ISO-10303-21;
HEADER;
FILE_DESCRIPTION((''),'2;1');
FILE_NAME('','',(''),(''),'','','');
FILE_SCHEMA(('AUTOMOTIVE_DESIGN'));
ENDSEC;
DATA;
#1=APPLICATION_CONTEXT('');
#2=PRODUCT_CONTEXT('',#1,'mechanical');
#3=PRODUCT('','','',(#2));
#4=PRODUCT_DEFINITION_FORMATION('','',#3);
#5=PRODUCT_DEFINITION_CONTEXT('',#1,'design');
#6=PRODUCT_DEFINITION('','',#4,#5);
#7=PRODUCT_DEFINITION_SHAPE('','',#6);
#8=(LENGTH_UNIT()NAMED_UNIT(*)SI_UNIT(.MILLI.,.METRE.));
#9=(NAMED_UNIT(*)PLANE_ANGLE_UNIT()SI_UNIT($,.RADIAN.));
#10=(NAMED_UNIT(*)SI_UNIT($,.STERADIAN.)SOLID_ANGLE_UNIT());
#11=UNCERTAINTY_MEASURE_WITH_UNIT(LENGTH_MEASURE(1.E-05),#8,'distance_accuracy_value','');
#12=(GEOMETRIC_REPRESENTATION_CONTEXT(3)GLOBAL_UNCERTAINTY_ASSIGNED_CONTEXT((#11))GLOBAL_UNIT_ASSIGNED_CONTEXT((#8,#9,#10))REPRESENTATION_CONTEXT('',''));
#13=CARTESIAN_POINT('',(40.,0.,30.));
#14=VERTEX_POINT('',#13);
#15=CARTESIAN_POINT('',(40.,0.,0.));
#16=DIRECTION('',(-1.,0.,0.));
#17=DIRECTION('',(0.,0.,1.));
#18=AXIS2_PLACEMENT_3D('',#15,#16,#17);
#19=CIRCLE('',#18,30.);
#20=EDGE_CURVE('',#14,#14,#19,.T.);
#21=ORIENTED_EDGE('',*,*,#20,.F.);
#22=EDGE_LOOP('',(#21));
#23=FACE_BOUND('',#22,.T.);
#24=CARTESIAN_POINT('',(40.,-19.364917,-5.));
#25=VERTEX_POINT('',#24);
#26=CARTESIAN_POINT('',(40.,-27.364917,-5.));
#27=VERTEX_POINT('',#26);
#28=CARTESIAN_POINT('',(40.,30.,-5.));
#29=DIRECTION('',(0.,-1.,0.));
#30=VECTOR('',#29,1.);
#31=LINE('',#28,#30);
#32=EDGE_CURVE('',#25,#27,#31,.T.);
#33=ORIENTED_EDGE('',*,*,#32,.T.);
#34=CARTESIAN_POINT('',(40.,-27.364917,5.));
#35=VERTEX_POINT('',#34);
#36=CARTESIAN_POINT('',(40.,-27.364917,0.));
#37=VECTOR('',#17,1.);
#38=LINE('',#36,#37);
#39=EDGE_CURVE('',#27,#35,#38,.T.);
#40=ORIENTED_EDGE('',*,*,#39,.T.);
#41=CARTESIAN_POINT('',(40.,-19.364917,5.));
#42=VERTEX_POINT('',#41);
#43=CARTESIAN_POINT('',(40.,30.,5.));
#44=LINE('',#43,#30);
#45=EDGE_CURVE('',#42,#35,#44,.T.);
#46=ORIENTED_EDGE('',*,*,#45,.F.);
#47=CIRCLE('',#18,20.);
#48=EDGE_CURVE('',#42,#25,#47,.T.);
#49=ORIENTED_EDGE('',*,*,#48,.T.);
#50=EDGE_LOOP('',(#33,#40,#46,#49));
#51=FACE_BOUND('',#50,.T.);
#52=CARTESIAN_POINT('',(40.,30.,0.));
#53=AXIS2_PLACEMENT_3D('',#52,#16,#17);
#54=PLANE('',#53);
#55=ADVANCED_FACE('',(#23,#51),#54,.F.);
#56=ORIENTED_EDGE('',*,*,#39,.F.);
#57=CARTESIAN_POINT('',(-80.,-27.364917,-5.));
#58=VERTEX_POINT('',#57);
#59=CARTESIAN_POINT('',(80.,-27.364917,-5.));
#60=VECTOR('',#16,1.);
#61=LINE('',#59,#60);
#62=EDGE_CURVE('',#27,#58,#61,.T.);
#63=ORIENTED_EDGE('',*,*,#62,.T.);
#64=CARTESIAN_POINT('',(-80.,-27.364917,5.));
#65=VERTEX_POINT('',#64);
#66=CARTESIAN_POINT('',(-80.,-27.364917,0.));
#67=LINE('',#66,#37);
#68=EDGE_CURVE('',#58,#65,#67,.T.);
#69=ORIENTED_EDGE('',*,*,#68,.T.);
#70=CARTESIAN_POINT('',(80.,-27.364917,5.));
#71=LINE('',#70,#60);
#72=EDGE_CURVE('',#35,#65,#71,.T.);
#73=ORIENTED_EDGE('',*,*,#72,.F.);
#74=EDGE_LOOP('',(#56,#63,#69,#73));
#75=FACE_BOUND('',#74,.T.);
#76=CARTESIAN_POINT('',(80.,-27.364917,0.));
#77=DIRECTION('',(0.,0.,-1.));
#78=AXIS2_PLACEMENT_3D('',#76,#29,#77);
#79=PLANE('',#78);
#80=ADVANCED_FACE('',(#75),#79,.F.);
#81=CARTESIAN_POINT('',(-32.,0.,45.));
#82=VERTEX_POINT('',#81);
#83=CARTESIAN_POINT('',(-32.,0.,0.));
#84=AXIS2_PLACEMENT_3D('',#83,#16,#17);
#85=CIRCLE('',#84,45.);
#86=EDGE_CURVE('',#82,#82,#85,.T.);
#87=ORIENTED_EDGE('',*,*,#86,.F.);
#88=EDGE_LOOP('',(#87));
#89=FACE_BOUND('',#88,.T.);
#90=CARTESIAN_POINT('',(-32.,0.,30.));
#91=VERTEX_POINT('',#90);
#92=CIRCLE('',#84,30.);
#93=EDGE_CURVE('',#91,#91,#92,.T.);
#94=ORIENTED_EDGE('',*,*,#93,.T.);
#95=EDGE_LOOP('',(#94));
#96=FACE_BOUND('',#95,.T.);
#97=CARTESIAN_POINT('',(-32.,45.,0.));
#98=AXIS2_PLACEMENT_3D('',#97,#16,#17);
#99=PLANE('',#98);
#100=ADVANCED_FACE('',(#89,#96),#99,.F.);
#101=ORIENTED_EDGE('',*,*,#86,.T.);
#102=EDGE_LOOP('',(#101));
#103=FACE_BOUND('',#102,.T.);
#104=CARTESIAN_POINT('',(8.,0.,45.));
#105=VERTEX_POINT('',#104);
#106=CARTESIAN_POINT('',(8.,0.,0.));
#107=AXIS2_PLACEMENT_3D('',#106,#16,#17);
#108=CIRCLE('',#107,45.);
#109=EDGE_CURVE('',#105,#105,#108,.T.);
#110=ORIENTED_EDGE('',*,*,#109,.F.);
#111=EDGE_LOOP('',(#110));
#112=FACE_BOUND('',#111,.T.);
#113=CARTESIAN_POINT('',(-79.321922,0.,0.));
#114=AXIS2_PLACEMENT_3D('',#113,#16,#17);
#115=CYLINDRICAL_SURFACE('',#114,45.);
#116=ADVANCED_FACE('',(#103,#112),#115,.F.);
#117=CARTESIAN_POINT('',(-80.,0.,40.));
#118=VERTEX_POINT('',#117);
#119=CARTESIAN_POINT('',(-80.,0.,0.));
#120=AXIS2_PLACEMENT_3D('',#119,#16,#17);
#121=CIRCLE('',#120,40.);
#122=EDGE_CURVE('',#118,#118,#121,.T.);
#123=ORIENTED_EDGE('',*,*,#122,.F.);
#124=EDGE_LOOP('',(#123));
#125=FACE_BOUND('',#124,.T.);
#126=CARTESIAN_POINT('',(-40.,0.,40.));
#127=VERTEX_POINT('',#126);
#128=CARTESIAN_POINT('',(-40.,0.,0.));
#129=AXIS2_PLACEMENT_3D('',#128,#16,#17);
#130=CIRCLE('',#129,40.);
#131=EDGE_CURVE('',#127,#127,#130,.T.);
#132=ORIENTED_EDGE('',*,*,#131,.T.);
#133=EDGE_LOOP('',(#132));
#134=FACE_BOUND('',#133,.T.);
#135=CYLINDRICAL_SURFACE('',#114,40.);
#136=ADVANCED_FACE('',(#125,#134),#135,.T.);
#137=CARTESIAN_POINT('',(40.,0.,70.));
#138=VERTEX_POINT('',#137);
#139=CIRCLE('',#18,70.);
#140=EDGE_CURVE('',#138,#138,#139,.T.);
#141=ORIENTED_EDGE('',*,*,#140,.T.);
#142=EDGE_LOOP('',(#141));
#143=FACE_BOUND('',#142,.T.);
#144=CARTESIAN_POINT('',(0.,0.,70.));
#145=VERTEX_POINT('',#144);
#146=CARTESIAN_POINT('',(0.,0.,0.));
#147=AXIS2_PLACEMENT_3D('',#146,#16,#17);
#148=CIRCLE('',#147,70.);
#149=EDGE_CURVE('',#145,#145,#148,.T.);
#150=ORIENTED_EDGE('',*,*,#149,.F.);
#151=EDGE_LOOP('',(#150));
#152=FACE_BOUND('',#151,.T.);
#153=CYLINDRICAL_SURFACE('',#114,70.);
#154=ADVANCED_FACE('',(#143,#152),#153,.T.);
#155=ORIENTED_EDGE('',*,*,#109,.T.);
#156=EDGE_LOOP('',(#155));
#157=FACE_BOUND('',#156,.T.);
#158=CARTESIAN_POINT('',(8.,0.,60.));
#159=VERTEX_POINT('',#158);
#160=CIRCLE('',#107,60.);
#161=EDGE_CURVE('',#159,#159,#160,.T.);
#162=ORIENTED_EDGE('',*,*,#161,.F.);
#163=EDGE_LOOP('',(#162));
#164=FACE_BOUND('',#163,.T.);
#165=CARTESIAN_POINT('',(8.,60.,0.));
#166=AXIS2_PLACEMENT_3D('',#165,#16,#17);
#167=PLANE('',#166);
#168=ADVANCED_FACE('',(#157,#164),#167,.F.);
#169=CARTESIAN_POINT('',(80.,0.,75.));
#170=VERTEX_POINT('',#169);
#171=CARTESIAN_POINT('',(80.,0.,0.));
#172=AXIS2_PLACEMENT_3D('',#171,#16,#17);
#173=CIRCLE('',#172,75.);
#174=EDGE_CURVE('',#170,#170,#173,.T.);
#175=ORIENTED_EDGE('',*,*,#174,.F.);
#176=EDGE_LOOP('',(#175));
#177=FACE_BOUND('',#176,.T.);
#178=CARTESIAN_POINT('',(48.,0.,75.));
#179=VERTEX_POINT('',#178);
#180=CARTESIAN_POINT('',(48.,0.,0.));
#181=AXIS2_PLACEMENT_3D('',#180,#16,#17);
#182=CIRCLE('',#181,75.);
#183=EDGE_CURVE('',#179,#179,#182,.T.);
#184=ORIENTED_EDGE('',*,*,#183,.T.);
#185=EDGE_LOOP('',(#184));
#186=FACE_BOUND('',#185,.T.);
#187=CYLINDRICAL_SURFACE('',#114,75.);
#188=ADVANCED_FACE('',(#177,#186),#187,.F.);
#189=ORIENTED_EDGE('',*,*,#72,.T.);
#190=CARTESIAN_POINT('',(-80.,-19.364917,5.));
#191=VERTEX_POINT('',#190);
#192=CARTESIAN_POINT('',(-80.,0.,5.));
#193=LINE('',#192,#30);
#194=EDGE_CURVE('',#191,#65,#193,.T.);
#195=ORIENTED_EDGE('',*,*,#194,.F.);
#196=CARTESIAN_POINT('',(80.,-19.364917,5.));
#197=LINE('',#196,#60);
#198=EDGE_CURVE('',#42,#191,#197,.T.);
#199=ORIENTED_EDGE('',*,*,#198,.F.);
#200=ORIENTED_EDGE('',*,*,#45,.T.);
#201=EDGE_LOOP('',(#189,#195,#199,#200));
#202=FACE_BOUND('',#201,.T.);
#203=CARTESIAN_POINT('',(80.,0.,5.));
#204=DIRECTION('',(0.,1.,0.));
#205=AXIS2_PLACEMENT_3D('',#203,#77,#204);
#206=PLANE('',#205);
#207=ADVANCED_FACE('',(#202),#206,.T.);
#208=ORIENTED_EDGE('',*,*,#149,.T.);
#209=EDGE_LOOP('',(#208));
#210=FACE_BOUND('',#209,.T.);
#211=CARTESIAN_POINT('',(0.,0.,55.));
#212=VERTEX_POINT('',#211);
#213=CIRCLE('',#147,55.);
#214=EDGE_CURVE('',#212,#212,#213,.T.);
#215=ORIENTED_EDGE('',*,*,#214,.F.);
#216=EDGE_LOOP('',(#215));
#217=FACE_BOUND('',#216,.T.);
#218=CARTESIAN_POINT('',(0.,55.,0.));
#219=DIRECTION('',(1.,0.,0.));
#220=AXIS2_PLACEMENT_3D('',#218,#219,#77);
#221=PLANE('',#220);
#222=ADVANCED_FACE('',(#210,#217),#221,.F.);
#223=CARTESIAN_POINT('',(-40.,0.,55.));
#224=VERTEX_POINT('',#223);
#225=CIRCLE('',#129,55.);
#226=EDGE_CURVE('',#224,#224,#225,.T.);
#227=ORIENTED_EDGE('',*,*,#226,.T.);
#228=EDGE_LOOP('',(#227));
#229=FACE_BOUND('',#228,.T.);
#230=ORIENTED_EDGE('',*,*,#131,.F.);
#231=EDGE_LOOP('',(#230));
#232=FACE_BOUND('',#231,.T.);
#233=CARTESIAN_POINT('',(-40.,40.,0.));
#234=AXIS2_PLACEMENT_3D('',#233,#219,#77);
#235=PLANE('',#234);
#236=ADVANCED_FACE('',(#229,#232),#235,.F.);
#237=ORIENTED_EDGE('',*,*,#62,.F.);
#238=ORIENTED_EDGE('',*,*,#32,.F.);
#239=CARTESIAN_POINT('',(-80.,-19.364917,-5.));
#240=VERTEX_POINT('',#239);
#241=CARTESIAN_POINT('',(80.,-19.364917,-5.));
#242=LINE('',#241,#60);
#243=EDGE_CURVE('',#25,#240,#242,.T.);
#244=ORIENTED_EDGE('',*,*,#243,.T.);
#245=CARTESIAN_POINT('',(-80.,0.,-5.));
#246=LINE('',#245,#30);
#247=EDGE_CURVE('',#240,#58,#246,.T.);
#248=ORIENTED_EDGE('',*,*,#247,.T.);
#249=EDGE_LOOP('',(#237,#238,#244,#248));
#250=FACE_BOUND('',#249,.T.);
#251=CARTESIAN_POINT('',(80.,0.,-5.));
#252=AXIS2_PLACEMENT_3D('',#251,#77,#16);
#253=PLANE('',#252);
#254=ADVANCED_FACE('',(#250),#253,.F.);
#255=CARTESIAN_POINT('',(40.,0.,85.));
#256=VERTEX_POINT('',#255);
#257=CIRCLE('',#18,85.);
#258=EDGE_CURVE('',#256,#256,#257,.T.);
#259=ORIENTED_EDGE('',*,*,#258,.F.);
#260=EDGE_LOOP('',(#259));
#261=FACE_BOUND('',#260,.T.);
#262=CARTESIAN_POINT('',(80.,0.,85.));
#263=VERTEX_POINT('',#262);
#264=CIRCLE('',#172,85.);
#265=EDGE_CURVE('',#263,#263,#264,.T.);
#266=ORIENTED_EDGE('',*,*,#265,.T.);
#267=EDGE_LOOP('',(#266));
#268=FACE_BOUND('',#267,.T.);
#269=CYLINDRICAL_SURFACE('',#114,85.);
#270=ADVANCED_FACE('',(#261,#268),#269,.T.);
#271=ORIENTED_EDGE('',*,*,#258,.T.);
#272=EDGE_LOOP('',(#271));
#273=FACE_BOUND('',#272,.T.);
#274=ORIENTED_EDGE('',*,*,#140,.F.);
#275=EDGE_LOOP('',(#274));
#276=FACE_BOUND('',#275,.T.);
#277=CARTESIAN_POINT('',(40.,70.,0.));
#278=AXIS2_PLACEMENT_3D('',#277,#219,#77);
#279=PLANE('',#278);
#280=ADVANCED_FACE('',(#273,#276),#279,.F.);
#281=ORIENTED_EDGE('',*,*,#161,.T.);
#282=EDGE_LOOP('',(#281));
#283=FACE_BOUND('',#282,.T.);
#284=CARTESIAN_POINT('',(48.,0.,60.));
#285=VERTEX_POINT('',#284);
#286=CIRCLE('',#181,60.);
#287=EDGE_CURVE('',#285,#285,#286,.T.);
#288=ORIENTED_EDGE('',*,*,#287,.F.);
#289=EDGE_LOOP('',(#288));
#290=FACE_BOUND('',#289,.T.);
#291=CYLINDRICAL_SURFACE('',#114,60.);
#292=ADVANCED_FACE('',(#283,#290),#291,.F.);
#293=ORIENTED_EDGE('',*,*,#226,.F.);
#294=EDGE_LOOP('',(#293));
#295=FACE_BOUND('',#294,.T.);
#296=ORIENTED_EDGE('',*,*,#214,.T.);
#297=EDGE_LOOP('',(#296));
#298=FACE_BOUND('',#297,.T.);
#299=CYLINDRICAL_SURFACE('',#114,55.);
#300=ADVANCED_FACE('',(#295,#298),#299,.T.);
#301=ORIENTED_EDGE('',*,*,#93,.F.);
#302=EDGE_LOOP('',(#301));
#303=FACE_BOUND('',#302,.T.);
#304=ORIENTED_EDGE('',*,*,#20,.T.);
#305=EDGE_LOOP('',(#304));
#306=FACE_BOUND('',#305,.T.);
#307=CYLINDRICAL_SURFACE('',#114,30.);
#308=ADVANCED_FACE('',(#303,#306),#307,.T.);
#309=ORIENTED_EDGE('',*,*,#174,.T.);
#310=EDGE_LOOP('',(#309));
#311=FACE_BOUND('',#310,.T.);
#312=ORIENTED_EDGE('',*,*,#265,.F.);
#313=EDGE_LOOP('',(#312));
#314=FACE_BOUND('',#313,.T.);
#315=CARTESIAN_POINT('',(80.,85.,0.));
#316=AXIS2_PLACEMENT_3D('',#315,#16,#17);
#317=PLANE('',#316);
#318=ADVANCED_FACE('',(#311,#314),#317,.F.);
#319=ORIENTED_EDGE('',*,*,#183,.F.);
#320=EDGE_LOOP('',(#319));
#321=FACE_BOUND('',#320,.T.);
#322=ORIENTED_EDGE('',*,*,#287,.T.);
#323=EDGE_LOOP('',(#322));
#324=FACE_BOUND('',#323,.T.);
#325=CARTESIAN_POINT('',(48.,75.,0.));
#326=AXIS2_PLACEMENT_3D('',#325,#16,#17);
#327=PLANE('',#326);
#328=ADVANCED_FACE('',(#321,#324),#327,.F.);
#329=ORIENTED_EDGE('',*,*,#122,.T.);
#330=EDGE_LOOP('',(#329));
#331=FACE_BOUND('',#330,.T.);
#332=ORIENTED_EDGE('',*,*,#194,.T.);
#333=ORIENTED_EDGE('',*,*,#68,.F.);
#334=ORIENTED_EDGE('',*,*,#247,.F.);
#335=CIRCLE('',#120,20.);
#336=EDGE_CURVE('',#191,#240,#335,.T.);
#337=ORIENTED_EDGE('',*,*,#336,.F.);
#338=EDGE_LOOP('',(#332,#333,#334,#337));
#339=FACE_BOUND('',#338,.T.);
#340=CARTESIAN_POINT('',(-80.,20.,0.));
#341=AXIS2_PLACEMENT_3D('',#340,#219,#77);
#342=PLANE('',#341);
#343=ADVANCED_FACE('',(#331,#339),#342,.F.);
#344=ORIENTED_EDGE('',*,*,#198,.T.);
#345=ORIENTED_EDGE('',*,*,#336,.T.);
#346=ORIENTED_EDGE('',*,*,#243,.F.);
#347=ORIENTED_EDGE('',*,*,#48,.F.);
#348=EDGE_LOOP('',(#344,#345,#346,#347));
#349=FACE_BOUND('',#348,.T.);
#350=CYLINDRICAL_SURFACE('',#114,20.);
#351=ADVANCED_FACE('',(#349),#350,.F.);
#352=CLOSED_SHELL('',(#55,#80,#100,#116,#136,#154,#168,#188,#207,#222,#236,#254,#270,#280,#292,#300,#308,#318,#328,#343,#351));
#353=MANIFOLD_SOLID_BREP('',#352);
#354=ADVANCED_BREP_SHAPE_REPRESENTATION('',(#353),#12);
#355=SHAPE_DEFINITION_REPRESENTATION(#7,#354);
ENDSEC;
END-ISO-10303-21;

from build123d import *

# Parameters (mm, degrees)
SKETCH2_R          = 20
CUT_EXTRUDE1_DEPTH = 201.124960962


with BuildPart() as part:
    # Sketch1 → Revolve1 (revolve)
    with BuildSketch(Plane.XY, mode=Mode.PRIVATE) as revolve1_sk:
        Polygon((-80, 20), (-80, 40), (-40, 40), (-40, 55), (0, 55), (0, 70), (40, 70), (40, 85), (80, 85), (80, 75), (48, 75), (48, 60), (8, 60), (8, 45), (-32, 45), (-32, 30), (40, 30), (40, 20), align=None)
    revolve(revolve1_sk.sketch.rotate(Axis((-79.321922317, 0, 0), (1, 0, 0)), 90), axis=Axis((-79.321922317, 0, 0), (1, 0, 0)))

    # Sketch2 → Cut-Extrude1 (cut, through all)
    with BuildSketch(Plane.ZY.offset(80)):
        Circle(SKETCH2_R)
        with BuildLine():
            Line((5, -19.364916731), (5, -27.364916731))
            Line((5, -27.364916731), (-5, -27.364916731))
            Line((-5, -27.364916731), (-5, -19.364916731))
            ThreePointArc((-5, -19.364916731), (0, -20), (5, -19.364916731))
        make_face()
    extrude(amount=-CUT_EXTRUDE1_DEPTH, mode=Mode.SUBTRACT)


solid = part.part
